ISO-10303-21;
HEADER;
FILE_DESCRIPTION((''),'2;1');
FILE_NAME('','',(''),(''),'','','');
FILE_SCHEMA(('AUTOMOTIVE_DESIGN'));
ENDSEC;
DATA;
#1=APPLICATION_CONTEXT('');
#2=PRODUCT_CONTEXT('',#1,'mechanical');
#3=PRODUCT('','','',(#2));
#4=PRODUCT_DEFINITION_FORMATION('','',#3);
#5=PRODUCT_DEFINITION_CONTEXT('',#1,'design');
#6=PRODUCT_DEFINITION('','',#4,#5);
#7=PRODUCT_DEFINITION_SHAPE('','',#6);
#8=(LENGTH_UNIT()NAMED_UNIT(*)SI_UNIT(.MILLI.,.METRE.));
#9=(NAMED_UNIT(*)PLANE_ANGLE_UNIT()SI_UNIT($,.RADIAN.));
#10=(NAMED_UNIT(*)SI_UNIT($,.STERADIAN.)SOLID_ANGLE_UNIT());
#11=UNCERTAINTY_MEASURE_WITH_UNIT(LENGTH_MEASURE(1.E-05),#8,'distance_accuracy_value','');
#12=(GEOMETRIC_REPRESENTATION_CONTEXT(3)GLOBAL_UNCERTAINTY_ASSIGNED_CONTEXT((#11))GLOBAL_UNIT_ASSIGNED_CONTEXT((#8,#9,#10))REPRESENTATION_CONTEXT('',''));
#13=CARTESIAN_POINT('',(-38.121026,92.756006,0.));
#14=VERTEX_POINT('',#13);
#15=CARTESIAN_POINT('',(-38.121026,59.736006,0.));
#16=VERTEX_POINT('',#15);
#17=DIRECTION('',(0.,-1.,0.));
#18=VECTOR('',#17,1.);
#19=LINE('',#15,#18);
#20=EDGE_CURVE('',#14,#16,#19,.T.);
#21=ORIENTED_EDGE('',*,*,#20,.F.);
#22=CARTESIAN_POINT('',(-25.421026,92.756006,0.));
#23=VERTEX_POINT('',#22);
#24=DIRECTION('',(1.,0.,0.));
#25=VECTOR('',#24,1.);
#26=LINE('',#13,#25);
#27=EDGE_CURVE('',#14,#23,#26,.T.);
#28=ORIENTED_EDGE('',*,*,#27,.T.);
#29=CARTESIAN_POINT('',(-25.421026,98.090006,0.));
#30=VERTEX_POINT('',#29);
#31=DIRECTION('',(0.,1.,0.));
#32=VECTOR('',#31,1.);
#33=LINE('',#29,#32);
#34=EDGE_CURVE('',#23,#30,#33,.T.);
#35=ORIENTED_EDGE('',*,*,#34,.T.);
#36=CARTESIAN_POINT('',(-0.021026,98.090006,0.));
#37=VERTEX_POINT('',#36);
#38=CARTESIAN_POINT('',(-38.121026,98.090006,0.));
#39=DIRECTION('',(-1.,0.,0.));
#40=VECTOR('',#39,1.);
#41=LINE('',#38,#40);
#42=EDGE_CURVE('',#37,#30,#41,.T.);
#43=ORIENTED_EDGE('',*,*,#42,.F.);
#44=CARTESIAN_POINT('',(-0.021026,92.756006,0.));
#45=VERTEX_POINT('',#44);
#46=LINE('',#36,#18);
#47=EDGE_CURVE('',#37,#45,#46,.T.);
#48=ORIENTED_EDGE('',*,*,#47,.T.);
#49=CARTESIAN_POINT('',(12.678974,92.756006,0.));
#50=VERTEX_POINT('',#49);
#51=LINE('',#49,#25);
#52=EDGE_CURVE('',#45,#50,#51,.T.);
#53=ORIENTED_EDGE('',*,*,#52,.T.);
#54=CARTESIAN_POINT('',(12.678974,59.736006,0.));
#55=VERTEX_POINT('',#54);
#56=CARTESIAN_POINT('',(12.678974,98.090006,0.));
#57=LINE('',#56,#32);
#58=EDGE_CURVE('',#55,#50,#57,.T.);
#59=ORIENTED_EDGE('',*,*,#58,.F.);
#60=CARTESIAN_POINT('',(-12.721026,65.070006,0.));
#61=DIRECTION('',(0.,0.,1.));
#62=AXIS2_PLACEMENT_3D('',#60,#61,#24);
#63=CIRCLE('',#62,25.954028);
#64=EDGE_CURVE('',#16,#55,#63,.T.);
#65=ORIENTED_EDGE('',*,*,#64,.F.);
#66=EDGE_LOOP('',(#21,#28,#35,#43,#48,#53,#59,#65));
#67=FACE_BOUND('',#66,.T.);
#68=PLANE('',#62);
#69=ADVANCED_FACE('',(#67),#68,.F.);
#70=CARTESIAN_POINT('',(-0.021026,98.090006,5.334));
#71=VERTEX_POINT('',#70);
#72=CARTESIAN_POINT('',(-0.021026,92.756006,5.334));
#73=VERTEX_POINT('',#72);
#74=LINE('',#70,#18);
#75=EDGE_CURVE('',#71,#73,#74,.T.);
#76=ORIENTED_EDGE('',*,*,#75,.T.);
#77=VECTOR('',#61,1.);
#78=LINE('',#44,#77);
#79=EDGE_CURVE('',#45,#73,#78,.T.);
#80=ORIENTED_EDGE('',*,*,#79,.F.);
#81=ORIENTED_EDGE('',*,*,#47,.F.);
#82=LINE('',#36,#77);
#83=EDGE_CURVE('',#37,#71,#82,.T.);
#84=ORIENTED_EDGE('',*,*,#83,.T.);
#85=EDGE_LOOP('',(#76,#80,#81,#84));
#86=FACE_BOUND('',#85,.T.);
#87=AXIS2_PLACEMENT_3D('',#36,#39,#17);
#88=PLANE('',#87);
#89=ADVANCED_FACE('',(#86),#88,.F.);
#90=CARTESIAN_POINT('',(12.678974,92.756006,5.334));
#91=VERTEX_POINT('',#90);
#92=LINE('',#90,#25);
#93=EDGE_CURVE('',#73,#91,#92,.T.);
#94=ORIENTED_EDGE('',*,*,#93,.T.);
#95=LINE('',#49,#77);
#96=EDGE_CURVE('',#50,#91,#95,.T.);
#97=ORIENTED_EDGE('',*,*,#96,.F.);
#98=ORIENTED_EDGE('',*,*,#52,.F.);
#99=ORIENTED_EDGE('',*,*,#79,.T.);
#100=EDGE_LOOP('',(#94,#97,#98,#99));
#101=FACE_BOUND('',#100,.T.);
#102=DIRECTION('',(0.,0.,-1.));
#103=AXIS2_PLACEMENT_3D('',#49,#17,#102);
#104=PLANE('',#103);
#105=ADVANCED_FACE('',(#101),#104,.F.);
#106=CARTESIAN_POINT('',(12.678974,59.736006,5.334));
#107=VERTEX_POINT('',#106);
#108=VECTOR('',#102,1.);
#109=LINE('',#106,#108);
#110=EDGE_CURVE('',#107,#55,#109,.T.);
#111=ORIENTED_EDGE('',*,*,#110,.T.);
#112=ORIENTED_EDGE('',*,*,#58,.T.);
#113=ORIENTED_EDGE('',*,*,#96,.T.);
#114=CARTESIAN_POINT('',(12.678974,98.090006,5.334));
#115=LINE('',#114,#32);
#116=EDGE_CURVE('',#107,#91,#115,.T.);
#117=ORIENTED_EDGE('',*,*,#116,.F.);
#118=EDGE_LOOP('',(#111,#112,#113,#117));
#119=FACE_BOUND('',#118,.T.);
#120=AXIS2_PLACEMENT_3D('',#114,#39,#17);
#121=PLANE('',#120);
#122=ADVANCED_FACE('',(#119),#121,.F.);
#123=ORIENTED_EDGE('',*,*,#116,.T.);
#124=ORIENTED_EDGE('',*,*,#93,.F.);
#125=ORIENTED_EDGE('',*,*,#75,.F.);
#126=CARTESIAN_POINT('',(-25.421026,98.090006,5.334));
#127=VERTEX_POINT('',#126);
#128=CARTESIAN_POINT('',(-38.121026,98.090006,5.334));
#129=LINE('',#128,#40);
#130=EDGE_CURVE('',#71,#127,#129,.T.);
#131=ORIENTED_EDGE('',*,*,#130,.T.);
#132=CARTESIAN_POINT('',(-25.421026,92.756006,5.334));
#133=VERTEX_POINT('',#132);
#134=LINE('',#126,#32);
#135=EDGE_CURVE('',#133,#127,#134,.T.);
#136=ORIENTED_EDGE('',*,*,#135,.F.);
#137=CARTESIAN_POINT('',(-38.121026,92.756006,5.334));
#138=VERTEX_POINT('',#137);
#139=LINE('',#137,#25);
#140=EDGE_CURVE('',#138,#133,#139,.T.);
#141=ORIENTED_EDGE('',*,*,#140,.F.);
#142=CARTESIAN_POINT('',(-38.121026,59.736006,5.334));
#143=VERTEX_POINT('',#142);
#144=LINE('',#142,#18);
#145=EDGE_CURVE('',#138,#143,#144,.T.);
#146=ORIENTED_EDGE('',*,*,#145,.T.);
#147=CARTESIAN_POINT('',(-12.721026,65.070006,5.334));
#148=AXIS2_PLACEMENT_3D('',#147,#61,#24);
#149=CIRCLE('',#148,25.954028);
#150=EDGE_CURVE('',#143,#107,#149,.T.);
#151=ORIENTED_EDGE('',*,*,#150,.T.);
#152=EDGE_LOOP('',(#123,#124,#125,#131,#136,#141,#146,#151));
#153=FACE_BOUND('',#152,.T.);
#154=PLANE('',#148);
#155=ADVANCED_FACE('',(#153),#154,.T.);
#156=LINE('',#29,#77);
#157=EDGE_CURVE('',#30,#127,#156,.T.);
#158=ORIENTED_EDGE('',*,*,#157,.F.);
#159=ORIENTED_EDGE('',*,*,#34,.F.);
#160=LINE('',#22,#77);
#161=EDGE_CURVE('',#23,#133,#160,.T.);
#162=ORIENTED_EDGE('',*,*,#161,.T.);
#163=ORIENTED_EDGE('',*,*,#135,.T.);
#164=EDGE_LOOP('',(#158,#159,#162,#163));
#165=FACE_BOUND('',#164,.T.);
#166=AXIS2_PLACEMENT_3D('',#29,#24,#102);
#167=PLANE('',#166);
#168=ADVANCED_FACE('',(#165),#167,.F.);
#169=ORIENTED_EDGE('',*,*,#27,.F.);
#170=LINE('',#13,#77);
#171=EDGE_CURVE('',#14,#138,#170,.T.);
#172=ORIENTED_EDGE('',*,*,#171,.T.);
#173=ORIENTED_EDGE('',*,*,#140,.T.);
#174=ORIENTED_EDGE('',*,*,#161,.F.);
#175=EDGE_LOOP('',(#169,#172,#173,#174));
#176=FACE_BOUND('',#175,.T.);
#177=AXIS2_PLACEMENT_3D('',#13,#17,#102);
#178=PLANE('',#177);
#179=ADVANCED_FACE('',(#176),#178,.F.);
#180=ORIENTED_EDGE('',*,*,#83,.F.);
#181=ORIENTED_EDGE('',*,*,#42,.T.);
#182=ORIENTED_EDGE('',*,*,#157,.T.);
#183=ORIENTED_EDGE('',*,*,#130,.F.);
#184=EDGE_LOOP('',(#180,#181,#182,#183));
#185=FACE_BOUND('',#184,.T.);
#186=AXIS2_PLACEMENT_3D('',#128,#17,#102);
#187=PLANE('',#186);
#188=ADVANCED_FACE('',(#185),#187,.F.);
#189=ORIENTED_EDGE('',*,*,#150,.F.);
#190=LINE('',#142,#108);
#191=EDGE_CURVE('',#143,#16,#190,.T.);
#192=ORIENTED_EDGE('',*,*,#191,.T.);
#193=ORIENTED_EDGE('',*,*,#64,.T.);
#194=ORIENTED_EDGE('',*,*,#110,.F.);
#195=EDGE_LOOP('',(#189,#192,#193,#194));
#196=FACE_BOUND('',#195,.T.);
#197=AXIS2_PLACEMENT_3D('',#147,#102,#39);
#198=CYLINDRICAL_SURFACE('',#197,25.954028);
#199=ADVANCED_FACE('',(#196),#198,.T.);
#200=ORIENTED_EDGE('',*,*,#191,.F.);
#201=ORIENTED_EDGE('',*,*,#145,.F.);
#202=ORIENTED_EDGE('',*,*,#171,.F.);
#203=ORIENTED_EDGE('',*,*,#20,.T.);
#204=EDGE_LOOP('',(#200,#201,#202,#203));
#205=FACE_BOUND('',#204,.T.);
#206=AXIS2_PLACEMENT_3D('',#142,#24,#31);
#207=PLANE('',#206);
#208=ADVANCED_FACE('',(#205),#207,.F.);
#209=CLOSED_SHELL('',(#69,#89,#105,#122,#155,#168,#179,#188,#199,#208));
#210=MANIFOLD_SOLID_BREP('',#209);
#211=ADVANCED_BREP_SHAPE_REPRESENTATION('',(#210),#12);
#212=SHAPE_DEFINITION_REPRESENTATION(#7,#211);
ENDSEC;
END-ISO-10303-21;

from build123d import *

# Parameters (mm, degrees)
BOSS_EXTRUDE1_DEPTH = 5.334
SKETCH2_W           = 12.7
SKETCH2_H           = 5.334
CUT_EXTRUDE1_DEPTH  = 6.334


with BuildPart() as part:
    # Sketch1 → Boss-Extrude1 (new body)
    with BuildSketch(Plane.XY):
        with BuildLine():
            Line((-38.121026248, 59.736005595), (-38.121026248, 98.090005595))
            Line((-38.121026248, 98.090005595), (12.678973752, 98.090005595))
            Line((12.678973752, 98.090005595), (12.678973752, 59.736005595))
            ThreePointArc((12.678973752, 59.736005595), (-12.721026248, 39.115977854), (-38.121026248, 59.736005595))
        make_face()
    extrude(amount=BOSS_EXTRUDE1_DEPTH)

    # Sketch2 → Cut-Extrude1 (cut, through all)
    with BuildSketch(Plane.XY.offset(5.334)):
        with Locations((-31.771026248, 95.423005595)):
            Rectangle(SKETCH2_W, SKETCH2_H)
        with Locations((6.328973752, 95.423005595)):
            Rectangle(SKETCH2_W, SKETCH2_H)
    extrude(amount=-CUT_EXTRUDE1_DEPTH, mode=Mode.SUBTRACT)


solid = part.part
